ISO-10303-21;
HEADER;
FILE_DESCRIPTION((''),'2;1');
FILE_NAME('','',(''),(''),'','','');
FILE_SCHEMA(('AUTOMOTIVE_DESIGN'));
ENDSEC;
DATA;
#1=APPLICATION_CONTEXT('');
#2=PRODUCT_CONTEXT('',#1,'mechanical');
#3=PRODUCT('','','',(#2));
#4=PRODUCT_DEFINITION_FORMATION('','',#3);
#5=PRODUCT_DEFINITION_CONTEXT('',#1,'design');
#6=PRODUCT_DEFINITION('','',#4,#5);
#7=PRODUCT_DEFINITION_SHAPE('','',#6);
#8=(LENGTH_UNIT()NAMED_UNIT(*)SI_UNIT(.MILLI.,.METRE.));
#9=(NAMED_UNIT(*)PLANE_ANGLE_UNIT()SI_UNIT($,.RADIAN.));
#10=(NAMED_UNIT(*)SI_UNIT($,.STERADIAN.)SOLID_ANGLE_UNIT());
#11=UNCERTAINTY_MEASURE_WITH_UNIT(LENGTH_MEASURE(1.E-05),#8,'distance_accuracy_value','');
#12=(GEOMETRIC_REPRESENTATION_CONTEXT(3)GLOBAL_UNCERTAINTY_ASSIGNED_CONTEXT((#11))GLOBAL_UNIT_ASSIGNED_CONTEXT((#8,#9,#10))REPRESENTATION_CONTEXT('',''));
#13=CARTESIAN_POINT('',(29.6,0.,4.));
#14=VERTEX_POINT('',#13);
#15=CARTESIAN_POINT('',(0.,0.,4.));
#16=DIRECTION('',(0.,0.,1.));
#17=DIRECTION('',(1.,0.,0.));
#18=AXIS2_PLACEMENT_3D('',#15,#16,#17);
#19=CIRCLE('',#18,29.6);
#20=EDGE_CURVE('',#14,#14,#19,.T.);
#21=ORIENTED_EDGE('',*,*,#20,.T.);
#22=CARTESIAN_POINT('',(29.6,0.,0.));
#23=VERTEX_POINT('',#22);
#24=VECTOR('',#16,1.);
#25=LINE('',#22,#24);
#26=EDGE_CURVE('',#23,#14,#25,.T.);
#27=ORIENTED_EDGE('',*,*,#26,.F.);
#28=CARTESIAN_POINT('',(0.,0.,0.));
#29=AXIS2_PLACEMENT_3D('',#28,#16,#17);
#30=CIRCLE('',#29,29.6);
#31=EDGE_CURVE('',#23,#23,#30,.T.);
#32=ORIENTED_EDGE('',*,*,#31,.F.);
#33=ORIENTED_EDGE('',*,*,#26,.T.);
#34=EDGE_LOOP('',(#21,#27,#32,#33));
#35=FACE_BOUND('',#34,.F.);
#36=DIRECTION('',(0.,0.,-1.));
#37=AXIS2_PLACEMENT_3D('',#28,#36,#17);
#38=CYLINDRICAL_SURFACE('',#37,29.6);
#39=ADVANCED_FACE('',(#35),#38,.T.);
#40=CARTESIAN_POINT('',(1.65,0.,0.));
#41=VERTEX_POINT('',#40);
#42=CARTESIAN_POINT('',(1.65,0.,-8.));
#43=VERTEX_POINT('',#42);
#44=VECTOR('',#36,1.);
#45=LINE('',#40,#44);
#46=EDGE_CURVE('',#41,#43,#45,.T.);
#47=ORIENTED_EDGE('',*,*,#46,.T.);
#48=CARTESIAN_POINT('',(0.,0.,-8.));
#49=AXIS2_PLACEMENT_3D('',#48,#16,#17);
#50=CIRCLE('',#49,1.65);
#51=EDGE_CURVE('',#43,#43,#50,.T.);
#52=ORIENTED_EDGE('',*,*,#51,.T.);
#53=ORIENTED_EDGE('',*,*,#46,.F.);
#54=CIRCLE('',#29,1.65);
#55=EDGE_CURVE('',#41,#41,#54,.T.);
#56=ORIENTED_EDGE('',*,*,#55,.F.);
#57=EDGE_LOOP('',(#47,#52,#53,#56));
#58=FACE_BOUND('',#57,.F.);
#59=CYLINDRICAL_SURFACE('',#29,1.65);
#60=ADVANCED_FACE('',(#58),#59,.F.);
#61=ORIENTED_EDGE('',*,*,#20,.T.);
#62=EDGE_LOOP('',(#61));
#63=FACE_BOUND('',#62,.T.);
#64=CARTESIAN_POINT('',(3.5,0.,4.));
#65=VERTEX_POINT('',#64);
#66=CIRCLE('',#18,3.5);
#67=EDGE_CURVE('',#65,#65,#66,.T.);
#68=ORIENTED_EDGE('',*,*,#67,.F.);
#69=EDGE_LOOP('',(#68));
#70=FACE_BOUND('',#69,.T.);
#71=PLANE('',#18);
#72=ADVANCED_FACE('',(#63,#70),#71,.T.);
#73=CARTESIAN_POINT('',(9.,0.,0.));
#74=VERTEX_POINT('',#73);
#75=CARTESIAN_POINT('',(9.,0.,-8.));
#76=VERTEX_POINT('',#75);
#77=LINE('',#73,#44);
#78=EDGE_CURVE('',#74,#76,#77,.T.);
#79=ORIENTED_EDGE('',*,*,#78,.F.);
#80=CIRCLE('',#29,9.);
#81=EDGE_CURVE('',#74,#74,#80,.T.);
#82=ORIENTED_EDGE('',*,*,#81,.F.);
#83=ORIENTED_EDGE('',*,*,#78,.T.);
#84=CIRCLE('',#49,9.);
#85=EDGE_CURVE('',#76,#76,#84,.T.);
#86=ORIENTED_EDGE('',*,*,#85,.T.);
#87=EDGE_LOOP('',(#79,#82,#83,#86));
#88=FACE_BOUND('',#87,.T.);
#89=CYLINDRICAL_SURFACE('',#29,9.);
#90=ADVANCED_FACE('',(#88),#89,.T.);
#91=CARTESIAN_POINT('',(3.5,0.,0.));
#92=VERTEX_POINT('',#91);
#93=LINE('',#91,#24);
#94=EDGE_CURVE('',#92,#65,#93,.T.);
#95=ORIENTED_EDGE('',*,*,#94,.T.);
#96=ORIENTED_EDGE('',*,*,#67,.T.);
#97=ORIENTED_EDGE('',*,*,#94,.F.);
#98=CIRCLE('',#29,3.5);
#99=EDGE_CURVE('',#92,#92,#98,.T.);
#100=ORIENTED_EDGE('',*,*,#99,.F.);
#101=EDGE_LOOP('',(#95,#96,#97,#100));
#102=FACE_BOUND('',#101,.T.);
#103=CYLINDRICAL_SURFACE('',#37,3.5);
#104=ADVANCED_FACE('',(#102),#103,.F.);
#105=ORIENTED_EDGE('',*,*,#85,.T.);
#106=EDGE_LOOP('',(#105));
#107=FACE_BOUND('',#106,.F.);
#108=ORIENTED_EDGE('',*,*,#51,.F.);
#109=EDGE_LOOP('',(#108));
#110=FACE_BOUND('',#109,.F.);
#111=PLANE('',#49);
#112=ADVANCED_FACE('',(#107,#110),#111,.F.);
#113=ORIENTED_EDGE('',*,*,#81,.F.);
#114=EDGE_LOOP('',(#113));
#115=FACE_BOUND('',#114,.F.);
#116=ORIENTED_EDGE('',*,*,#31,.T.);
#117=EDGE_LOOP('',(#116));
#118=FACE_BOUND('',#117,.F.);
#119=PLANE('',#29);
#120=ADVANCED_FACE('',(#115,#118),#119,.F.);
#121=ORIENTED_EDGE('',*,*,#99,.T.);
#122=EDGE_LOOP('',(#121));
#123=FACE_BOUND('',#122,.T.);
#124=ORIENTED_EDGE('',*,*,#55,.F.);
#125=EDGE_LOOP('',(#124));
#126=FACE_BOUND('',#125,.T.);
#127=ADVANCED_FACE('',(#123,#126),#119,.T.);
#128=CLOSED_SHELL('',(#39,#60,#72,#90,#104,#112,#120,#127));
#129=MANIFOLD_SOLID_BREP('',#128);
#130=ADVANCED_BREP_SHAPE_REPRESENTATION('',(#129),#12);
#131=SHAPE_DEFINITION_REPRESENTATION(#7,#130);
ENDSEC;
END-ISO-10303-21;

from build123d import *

# Parameters (mm, degrees)
F0_R     = 29.6
F0_R_2   = 9
F0_R_3   = 3.5
F1_DEPTH = 4
F0_R_4   = 1.65
F2_DEPTH = 8


with BuildPart() as f1:
    # F0 (on Top) → F1 (new body)
    with BuildSketch(Plane.XY):
        Circle(F0_R)
        Circle(F0_R_2, mode=Mode.SUBTRACT)
        Circle(F0_R_2)
        Circle(F0_R_3, mode=Mode.SUBTRACT)
    extrude(amount=F1_DEPTH)

    # F0 (on Top) → F2 (join)
    with BuildSketch(Plane.XY):
        Circle(F0_R_2)
        Circle(F0_R_3, mode=Mode.SUBTRACT)
        Circle(F0_R_3)
        Circle(F0_R_4, mode=Mode.SUBTRACT)
    extrude(amount=-F2_DEPTH)


solid = f1.part
